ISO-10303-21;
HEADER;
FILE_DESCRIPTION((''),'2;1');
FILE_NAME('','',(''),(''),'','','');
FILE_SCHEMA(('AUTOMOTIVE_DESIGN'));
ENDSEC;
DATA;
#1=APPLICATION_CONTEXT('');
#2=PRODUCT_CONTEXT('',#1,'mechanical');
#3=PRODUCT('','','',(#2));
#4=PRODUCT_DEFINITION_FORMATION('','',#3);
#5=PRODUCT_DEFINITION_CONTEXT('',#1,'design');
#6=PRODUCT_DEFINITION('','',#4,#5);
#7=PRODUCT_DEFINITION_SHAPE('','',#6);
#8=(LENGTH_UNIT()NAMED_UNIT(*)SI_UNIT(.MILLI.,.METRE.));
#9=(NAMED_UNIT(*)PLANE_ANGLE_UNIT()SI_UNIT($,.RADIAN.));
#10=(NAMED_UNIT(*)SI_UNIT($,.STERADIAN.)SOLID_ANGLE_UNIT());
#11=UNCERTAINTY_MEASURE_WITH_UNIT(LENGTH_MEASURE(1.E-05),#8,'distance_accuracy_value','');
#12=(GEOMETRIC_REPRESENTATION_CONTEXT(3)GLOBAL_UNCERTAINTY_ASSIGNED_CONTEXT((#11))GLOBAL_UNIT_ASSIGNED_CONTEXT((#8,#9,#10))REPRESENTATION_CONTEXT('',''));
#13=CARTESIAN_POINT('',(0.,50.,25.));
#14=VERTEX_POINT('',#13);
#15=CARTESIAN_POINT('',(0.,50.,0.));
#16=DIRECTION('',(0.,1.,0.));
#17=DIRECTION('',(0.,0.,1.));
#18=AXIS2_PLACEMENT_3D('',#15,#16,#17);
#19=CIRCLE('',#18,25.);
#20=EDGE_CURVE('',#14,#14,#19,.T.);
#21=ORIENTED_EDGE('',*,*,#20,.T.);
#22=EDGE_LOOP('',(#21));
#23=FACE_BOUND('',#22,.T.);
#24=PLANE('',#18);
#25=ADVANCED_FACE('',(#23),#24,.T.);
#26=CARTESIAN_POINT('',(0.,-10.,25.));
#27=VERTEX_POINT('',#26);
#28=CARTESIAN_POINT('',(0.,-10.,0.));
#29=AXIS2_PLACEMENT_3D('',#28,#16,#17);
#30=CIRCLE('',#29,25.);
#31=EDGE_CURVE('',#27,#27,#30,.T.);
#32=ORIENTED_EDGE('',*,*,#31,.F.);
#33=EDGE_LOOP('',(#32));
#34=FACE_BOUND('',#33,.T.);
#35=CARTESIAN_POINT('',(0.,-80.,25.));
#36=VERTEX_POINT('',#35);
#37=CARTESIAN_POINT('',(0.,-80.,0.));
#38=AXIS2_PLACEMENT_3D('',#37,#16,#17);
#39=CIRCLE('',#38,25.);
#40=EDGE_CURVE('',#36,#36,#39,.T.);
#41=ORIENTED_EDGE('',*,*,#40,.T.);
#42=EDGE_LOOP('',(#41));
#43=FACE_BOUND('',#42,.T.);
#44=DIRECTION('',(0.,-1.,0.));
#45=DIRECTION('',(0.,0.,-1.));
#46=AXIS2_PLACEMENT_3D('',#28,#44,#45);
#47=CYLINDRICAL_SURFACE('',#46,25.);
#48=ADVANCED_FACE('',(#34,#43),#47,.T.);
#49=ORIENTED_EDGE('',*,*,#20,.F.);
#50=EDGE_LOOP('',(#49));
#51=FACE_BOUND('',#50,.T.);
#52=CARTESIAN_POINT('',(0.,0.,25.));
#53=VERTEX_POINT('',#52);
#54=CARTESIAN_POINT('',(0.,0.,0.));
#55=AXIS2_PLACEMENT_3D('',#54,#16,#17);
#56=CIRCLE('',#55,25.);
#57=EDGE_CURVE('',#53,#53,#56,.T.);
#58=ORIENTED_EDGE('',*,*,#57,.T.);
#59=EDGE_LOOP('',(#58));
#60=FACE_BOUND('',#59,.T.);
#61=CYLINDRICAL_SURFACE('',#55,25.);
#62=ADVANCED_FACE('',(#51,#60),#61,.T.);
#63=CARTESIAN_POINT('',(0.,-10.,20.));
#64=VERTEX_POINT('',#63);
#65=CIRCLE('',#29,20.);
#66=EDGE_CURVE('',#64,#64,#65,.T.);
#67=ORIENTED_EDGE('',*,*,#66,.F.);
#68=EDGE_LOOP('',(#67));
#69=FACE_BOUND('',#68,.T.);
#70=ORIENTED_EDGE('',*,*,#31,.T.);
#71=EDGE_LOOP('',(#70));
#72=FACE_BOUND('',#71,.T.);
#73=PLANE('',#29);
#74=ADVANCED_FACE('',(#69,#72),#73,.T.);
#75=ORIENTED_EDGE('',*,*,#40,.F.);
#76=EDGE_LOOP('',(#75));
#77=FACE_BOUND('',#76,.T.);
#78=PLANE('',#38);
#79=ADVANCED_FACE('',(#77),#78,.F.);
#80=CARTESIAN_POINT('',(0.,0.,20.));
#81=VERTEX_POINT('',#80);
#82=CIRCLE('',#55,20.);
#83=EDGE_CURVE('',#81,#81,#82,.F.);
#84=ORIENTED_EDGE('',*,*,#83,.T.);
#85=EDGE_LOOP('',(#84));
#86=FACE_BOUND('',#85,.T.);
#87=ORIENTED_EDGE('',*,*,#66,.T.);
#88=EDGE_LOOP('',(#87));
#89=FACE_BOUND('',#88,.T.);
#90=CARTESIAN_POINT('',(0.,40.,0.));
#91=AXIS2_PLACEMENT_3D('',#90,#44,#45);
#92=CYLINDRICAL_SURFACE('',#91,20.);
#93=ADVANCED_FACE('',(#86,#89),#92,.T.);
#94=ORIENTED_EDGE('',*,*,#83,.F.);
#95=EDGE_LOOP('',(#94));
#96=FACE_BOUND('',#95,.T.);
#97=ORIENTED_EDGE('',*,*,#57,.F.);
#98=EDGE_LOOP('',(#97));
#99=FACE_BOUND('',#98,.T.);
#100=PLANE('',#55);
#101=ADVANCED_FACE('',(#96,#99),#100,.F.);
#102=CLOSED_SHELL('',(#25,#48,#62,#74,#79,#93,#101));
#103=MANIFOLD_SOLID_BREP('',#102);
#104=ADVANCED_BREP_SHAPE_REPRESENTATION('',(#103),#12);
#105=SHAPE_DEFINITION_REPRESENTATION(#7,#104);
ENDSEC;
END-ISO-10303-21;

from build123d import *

# Parameters (mm, degrees)
SKETCH_4_R      = 25
EXTRUDE_1_DEPTH = 50
SKETCH_5_R      = 20
EXTRUDE_2_DEPTH = 50
SKETCH_6_R      = 25
EXTRUDE_3_DEPTH = 70


with BuildPart() as part:
    # 草图4 → 凸台-拉伸1 (new body)
    with BuildSketch(Plane(origin=(0, 50, 0), x_dir=(1, 0, 0), z_dir=(0, 1, 0))):
        Circle(SKETCH_4_R)
    extrude(amount=-EXTRUDE_1_DEPTH)

    # 草图5 → 凸台-拉伸2 (add)
    with BuildSketch(Plane(origin=(0, -10, 0), x_dir=(1, 0, 0), z_dir=(0, 1, 0))):
        Circle(SKETCH_5_R)
    extrude(amount=EXTRUDE_2_DEPTH)

    # 草图6 → 凸台-拉伸3 (add)
    with BuildSketch(Plane(origin=(0, -80, 0), x_dir=(1, 0, 0), z_dir=(0, 1, 0))):
        Circle(SKETCH_6_R)
    extrude(amount=EXTRUDE_3_DEPTH)


solid = part.part
